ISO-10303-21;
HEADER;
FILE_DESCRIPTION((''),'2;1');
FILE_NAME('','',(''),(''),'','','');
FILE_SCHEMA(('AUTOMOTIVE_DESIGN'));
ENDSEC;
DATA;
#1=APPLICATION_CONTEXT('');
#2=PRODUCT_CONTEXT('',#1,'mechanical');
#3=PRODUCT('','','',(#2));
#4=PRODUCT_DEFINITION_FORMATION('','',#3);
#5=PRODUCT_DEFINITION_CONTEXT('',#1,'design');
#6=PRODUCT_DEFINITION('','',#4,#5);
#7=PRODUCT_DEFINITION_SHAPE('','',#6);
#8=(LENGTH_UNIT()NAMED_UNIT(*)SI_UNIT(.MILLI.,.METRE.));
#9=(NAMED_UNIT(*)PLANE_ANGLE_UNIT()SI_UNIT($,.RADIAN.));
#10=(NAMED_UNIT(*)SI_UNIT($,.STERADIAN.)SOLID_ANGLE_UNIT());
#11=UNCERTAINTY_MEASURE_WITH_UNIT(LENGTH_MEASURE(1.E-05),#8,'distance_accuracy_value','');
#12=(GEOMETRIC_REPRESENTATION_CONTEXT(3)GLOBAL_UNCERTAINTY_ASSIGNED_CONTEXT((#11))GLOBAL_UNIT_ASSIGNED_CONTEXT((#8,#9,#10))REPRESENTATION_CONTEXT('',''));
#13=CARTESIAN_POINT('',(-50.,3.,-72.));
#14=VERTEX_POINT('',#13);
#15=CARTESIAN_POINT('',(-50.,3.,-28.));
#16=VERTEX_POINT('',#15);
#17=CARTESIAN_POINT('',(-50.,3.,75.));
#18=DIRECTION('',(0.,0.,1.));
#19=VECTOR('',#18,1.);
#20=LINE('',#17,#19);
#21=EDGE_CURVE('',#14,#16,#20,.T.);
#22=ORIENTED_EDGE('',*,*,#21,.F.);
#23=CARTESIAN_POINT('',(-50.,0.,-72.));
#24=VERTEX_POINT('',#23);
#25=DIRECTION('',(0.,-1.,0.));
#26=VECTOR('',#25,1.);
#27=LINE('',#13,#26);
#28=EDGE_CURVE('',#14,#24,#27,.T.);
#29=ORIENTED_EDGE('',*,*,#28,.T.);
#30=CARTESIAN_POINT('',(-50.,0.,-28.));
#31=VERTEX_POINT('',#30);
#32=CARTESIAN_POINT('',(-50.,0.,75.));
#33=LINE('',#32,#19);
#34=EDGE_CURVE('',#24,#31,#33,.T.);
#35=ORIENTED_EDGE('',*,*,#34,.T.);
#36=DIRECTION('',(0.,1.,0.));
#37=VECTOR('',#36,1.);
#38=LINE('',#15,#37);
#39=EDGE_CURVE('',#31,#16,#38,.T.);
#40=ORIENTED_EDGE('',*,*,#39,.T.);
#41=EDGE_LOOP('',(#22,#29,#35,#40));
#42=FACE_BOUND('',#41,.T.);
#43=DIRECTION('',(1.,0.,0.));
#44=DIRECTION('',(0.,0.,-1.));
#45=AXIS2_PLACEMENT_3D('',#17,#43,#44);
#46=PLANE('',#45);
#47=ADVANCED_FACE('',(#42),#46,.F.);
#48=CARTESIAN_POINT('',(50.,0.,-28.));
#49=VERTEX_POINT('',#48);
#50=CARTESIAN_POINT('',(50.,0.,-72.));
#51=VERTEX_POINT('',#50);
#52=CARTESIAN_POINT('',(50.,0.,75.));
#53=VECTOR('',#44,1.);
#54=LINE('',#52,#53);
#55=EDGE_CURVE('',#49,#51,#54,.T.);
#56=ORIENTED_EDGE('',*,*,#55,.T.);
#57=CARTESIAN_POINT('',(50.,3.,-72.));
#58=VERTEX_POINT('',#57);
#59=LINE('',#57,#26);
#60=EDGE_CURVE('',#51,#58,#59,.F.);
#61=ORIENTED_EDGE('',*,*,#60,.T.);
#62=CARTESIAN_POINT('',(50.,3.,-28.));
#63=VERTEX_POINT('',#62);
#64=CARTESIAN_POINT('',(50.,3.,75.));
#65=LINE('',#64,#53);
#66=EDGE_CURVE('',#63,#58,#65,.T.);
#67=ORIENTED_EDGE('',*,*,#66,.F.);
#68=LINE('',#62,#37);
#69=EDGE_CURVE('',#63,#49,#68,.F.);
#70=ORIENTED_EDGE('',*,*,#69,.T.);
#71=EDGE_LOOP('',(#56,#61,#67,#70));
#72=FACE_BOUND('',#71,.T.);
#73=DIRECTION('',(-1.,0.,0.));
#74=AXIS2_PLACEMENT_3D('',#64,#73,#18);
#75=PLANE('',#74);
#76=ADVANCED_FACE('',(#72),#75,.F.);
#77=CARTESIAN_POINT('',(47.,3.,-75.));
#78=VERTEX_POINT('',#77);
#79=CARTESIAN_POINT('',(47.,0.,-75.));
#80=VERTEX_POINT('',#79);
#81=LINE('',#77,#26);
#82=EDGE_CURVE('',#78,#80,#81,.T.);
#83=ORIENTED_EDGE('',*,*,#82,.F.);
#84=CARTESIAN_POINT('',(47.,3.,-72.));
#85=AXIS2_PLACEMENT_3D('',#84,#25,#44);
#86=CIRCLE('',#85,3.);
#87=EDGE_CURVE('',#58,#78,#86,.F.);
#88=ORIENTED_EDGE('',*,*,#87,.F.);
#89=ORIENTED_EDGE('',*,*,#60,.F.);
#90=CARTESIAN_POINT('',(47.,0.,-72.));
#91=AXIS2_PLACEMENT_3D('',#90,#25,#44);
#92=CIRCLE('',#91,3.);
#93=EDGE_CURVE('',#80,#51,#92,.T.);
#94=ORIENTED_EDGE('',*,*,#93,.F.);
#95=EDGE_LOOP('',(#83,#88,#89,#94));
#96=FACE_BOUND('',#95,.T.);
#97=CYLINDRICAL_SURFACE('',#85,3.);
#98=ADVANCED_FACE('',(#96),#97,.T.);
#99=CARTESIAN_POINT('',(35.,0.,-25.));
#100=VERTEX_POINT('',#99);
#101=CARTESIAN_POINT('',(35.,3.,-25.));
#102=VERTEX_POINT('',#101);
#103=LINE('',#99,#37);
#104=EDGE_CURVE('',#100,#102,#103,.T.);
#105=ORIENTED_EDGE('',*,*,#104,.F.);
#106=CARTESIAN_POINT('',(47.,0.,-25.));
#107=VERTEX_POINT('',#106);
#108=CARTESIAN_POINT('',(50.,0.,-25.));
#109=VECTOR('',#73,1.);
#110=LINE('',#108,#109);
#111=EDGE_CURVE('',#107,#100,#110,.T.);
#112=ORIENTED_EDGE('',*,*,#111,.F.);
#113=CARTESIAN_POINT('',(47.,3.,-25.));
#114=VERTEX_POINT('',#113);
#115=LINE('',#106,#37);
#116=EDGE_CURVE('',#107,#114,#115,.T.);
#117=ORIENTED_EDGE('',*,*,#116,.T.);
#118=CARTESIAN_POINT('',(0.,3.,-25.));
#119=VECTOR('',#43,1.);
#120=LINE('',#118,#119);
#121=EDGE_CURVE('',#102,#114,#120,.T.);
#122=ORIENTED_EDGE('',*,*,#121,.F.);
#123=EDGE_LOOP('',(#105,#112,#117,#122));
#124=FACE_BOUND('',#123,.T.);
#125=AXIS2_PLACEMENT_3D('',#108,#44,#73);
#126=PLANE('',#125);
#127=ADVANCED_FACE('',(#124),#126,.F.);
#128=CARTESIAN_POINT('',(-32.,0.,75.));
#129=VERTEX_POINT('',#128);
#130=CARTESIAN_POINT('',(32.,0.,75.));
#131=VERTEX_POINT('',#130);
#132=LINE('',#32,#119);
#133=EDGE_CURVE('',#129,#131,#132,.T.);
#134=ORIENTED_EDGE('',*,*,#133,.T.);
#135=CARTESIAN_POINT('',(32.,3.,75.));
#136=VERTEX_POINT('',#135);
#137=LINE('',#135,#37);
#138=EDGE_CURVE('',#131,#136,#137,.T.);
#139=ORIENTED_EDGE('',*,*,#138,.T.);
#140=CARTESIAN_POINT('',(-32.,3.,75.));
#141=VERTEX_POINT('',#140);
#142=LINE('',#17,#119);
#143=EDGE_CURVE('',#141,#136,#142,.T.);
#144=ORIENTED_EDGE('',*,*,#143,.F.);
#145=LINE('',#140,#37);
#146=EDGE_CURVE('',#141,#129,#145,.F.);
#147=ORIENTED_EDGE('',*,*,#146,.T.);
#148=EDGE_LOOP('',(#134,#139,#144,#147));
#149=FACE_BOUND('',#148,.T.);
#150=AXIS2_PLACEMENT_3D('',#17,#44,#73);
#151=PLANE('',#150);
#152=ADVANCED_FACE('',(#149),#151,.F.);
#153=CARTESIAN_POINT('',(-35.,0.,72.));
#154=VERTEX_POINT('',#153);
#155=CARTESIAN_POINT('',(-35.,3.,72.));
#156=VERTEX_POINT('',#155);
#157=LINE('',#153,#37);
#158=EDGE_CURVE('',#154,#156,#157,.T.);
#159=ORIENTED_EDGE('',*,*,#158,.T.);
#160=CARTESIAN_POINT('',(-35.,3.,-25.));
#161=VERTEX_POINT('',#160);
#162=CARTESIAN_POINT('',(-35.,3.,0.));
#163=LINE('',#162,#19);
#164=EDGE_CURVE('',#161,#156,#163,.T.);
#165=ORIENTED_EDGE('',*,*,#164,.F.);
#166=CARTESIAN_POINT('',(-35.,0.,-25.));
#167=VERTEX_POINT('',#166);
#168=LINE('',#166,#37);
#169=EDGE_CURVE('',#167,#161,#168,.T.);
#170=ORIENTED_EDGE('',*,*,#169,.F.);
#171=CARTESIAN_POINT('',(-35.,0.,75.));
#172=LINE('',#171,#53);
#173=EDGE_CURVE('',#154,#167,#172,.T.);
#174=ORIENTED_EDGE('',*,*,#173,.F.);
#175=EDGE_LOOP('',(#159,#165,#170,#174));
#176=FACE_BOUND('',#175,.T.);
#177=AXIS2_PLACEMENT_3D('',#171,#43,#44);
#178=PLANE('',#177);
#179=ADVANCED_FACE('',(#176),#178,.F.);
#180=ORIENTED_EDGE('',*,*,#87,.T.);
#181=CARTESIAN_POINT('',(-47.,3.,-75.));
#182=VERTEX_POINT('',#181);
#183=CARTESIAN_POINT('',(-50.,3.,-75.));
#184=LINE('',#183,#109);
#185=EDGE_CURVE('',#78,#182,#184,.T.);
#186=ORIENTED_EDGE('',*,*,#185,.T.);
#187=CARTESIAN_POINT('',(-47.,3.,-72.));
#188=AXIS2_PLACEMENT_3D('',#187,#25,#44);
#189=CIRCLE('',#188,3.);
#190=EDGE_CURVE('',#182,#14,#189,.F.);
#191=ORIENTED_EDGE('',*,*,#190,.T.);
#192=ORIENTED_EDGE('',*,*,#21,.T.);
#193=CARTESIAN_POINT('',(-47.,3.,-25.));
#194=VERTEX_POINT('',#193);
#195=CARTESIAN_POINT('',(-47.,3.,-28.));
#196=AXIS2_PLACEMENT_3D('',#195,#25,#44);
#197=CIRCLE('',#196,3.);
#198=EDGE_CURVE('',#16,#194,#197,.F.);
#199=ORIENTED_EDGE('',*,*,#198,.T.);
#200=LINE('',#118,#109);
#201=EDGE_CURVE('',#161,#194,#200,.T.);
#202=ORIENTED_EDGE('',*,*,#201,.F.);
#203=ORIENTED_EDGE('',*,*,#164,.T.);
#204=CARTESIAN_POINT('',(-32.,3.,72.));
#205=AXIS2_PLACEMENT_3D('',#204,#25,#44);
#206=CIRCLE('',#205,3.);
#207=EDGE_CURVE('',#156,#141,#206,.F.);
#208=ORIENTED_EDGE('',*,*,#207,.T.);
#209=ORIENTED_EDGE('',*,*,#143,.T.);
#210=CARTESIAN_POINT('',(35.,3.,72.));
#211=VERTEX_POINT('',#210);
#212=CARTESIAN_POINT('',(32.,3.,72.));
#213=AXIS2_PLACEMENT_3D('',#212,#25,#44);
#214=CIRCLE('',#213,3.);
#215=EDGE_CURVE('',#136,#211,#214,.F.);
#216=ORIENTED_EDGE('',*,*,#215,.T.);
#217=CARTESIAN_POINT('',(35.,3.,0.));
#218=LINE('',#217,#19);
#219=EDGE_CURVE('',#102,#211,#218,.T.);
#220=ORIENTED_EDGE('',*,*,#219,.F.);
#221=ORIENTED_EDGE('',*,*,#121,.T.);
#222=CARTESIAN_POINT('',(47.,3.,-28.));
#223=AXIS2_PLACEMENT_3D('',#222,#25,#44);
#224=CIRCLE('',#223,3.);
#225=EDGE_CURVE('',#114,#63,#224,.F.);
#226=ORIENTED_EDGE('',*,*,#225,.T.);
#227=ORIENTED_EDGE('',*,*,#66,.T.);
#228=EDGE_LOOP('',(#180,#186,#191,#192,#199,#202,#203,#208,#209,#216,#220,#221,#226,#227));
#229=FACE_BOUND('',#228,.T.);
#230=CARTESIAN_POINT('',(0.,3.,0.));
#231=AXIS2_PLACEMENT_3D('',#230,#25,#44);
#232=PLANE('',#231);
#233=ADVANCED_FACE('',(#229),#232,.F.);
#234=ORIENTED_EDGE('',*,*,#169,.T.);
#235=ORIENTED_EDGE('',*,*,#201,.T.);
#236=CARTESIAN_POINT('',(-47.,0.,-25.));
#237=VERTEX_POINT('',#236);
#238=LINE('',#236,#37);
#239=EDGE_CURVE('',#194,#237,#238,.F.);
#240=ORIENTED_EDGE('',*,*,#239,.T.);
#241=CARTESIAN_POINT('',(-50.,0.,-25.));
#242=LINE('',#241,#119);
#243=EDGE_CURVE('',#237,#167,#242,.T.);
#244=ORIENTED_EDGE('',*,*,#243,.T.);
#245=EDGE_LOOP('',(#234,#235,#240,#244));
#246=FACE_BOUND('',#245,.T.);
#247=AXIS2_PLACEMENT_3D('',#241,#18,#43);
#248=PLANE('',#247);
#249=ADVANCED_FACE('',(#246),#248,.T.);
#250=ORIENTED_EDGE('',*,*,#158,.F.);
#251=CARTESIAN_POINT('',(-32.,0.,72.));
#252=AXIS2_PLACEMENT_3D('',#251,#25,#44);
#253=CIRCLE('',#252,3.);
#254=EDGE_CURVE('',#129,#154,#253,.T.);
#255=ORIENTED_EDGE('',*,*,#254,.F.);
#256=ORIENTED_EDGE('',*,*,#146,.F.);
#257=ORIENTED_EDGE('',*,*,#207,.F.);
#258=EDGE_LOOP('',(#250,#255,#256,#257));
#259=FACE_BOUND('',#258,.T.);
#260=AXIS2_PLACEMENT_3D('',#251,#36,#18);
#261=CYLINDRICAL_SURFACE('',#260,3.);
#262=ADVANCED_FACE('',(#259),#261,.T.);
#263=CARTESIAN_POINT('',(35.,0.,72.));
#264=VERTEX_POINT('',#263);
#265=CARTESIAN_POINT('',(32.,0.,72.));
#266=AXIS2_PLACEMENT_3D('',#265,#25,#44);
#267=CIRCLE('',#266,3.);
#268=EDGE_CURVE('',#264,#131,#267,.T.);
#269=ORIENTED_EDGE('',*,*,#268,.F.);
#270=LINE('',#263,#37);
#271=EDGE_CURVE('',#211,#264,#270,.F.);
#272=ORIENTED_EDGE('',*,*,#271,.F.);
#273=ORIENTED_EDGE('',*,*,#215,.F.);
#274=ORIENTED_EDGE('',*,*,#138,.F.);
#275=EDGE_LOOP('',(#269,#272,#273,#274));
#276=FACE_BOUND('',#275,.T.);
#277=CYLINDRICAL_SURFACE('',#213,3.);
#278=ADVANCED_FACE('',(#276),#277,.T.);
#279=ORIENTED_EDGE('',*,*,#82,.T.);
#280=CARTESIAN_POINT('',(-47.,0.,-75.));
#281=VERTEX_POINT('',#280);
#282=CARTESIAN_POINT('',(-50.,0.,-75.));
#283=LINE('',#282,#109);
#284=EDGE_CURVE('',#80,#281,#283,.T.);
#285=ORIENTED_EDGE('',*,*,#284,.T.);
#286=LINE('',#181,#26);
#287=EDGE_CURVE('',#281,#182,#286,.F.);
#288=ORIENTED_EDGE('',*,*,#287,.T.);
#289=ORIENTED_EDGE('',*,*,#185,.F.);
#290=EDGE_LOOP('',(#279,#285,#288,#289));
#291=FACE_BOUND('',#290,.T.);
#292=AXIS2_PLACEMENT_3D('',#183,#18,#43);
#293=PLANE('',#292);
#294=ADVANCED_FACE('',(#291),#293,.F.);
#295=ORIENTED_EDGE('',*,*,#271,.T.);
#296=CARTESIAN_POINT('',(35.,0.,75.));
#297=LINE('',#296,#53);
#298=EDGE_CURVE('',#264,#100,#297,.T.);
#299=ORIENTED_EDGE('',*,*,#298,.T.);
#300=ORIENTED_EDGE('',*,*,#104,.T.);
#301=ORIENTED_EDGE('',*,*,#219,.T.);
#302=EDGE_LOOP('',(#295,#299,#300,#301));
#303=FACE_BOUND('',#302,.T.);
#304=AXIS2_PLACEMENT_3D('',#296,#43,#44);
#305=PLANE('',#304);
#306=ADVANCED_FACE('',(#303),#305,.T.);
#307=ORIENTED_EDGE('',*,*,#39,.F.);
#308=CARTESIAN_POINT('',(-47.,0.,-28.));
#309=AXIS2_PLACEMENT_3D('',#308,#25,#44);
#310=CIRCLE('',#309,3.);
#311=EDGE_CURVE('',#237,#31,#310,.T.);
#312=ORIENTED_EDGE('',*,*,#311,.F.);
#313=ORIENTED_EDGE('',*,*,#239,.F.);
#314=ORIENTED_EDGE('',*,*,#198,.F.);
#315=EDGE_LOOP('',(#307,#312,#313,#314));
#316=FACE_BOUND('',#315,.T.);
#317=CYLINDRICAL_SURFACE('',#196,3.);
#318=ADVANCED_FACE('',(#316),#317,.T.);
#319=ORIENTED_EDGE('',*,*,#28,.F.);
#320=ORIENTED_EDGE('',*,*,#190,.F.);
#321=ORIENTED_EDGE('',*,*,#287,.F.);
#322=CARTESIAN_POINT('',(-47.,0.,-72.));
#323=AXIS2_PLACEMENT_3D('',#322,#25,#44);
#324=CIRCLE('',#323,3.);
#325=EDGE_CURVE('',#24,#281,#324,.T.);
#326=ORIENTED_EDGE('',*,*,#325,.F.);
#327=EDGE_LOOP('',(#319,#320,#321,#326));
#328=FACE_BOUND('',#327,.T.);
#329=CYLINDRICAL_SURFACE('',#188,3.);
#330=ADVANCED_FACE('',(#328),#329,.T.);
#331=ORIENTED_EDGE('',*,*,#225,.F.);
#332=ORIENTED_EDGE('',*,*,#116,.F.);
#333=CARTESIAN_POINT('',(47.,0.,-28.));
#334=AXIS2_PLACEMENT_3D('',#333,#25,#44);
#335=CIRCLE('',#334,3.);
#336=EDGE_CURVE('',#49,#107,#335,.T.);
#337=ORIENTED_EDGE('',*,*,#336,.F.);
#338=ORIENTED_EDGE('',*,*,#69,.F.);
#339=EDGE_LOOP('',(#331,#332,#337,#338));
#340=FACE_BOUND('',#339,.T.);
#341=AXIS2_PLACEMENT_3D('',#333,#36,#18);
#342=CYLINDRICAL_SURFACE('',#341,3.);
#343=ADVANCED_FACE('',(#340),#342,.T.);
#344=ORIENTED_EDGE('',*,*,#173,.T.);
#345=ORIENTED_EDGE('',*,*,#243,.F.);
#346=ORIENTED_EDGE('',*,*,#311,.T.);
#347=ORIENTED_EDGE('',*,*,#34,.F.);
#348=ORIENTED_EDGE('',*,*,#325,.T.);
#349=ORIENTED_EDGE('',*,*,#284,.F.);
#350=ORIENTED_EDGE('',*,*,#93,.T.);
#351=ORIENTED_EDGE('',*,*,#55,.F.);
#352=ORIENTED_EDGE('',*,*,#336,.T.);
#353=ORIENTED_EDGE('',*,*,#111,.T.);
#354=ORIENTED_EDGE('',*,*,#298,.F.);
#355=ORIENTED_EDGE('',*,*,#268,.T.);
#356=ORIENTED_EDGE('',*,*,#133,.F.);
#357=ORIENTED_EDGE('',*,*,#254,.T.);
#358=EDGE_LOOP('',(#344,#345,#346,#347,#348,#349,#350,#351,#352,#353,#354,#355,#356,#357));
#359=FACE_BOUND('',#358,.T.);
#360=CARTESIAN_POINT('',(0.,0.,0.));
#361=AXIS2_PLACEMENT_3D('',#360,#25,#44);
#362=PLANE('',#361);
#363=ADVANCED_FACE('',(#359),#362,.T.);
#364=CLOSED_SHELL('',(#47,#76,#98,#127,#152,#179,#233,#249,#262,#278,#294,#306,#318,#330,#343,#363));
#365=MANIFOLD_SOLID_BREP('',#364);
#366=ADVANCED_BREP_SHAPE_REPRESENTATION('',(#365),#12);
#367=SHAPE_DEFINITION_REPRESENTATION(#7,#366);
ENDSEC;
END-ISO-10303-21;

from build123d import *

# Parameters (mm, degrees)
CROQUIS1_W                 = 100
CROQUIS1_H                 = 150
SALIENTE_EXTRUIR2_DEPTH    = 3
CORTAR_EXTRUIR1_DEPTH      = 91.188691087
CORTAR_EXTRUIR1_DEPTH_BACK = 91.188691087
CROQUIS2_W                 = 15
CROQUIS2_H                 = 100
REDONDEO1_R                = 3


with BuildPart() as part:
    # Croquis1 → Saliente-Extruir2 (new body)
    with BuildSketch(Plane(origin=(0, 0, 0), x_dir=(1, 0, 0), z_dir=(0, 1, 0))):
        Rectangle(CROQUIS1_W, CROQUIS1_H)
    extrude(amount=SALIENTE_EXTRUIR2_DEPTH)

    # Croquis2 → Cortar-Extruir1 (cut, two sides: drawn at the far end of the back side and taken through both)
    with BuildSketch(Plane(origin=(0, 3, 0), x_dir=(1, 0, 0), z_dir=(0, 1, 0)).offset(-CORTAR_EXTRUIR1_DEPTH_BACK)):
        with Locations((-42.5, -25)):
            Rectangle(CROQUIS2_W, CROQUIS2_H)
        with Locations((42.5, -25)):
            Rectangle(CROQUIS2_W, CROQUIS2_H)
    extrude(amount=CORTAR_EXTRUIR1_DEPTH + CORTAR_EXTRUIR1_DEPTH_BACK, mode=Mode.SUBTRACT)

    # Redondeo1
    redondeo1_edges = [part.edges().sort_by_distance(p)[0] for p in [
        (-50, 1.5, -25),
        (-35, 1.5, 75),
        (50, 1.5, -25),
        (35, 1.5, 75),
        (-50, 1.5, -75),
        (50, 1.5, -75),
    ]]
    fillet(redondeo1_edges, radius=REDONDEO1_R)


solid = part.part
